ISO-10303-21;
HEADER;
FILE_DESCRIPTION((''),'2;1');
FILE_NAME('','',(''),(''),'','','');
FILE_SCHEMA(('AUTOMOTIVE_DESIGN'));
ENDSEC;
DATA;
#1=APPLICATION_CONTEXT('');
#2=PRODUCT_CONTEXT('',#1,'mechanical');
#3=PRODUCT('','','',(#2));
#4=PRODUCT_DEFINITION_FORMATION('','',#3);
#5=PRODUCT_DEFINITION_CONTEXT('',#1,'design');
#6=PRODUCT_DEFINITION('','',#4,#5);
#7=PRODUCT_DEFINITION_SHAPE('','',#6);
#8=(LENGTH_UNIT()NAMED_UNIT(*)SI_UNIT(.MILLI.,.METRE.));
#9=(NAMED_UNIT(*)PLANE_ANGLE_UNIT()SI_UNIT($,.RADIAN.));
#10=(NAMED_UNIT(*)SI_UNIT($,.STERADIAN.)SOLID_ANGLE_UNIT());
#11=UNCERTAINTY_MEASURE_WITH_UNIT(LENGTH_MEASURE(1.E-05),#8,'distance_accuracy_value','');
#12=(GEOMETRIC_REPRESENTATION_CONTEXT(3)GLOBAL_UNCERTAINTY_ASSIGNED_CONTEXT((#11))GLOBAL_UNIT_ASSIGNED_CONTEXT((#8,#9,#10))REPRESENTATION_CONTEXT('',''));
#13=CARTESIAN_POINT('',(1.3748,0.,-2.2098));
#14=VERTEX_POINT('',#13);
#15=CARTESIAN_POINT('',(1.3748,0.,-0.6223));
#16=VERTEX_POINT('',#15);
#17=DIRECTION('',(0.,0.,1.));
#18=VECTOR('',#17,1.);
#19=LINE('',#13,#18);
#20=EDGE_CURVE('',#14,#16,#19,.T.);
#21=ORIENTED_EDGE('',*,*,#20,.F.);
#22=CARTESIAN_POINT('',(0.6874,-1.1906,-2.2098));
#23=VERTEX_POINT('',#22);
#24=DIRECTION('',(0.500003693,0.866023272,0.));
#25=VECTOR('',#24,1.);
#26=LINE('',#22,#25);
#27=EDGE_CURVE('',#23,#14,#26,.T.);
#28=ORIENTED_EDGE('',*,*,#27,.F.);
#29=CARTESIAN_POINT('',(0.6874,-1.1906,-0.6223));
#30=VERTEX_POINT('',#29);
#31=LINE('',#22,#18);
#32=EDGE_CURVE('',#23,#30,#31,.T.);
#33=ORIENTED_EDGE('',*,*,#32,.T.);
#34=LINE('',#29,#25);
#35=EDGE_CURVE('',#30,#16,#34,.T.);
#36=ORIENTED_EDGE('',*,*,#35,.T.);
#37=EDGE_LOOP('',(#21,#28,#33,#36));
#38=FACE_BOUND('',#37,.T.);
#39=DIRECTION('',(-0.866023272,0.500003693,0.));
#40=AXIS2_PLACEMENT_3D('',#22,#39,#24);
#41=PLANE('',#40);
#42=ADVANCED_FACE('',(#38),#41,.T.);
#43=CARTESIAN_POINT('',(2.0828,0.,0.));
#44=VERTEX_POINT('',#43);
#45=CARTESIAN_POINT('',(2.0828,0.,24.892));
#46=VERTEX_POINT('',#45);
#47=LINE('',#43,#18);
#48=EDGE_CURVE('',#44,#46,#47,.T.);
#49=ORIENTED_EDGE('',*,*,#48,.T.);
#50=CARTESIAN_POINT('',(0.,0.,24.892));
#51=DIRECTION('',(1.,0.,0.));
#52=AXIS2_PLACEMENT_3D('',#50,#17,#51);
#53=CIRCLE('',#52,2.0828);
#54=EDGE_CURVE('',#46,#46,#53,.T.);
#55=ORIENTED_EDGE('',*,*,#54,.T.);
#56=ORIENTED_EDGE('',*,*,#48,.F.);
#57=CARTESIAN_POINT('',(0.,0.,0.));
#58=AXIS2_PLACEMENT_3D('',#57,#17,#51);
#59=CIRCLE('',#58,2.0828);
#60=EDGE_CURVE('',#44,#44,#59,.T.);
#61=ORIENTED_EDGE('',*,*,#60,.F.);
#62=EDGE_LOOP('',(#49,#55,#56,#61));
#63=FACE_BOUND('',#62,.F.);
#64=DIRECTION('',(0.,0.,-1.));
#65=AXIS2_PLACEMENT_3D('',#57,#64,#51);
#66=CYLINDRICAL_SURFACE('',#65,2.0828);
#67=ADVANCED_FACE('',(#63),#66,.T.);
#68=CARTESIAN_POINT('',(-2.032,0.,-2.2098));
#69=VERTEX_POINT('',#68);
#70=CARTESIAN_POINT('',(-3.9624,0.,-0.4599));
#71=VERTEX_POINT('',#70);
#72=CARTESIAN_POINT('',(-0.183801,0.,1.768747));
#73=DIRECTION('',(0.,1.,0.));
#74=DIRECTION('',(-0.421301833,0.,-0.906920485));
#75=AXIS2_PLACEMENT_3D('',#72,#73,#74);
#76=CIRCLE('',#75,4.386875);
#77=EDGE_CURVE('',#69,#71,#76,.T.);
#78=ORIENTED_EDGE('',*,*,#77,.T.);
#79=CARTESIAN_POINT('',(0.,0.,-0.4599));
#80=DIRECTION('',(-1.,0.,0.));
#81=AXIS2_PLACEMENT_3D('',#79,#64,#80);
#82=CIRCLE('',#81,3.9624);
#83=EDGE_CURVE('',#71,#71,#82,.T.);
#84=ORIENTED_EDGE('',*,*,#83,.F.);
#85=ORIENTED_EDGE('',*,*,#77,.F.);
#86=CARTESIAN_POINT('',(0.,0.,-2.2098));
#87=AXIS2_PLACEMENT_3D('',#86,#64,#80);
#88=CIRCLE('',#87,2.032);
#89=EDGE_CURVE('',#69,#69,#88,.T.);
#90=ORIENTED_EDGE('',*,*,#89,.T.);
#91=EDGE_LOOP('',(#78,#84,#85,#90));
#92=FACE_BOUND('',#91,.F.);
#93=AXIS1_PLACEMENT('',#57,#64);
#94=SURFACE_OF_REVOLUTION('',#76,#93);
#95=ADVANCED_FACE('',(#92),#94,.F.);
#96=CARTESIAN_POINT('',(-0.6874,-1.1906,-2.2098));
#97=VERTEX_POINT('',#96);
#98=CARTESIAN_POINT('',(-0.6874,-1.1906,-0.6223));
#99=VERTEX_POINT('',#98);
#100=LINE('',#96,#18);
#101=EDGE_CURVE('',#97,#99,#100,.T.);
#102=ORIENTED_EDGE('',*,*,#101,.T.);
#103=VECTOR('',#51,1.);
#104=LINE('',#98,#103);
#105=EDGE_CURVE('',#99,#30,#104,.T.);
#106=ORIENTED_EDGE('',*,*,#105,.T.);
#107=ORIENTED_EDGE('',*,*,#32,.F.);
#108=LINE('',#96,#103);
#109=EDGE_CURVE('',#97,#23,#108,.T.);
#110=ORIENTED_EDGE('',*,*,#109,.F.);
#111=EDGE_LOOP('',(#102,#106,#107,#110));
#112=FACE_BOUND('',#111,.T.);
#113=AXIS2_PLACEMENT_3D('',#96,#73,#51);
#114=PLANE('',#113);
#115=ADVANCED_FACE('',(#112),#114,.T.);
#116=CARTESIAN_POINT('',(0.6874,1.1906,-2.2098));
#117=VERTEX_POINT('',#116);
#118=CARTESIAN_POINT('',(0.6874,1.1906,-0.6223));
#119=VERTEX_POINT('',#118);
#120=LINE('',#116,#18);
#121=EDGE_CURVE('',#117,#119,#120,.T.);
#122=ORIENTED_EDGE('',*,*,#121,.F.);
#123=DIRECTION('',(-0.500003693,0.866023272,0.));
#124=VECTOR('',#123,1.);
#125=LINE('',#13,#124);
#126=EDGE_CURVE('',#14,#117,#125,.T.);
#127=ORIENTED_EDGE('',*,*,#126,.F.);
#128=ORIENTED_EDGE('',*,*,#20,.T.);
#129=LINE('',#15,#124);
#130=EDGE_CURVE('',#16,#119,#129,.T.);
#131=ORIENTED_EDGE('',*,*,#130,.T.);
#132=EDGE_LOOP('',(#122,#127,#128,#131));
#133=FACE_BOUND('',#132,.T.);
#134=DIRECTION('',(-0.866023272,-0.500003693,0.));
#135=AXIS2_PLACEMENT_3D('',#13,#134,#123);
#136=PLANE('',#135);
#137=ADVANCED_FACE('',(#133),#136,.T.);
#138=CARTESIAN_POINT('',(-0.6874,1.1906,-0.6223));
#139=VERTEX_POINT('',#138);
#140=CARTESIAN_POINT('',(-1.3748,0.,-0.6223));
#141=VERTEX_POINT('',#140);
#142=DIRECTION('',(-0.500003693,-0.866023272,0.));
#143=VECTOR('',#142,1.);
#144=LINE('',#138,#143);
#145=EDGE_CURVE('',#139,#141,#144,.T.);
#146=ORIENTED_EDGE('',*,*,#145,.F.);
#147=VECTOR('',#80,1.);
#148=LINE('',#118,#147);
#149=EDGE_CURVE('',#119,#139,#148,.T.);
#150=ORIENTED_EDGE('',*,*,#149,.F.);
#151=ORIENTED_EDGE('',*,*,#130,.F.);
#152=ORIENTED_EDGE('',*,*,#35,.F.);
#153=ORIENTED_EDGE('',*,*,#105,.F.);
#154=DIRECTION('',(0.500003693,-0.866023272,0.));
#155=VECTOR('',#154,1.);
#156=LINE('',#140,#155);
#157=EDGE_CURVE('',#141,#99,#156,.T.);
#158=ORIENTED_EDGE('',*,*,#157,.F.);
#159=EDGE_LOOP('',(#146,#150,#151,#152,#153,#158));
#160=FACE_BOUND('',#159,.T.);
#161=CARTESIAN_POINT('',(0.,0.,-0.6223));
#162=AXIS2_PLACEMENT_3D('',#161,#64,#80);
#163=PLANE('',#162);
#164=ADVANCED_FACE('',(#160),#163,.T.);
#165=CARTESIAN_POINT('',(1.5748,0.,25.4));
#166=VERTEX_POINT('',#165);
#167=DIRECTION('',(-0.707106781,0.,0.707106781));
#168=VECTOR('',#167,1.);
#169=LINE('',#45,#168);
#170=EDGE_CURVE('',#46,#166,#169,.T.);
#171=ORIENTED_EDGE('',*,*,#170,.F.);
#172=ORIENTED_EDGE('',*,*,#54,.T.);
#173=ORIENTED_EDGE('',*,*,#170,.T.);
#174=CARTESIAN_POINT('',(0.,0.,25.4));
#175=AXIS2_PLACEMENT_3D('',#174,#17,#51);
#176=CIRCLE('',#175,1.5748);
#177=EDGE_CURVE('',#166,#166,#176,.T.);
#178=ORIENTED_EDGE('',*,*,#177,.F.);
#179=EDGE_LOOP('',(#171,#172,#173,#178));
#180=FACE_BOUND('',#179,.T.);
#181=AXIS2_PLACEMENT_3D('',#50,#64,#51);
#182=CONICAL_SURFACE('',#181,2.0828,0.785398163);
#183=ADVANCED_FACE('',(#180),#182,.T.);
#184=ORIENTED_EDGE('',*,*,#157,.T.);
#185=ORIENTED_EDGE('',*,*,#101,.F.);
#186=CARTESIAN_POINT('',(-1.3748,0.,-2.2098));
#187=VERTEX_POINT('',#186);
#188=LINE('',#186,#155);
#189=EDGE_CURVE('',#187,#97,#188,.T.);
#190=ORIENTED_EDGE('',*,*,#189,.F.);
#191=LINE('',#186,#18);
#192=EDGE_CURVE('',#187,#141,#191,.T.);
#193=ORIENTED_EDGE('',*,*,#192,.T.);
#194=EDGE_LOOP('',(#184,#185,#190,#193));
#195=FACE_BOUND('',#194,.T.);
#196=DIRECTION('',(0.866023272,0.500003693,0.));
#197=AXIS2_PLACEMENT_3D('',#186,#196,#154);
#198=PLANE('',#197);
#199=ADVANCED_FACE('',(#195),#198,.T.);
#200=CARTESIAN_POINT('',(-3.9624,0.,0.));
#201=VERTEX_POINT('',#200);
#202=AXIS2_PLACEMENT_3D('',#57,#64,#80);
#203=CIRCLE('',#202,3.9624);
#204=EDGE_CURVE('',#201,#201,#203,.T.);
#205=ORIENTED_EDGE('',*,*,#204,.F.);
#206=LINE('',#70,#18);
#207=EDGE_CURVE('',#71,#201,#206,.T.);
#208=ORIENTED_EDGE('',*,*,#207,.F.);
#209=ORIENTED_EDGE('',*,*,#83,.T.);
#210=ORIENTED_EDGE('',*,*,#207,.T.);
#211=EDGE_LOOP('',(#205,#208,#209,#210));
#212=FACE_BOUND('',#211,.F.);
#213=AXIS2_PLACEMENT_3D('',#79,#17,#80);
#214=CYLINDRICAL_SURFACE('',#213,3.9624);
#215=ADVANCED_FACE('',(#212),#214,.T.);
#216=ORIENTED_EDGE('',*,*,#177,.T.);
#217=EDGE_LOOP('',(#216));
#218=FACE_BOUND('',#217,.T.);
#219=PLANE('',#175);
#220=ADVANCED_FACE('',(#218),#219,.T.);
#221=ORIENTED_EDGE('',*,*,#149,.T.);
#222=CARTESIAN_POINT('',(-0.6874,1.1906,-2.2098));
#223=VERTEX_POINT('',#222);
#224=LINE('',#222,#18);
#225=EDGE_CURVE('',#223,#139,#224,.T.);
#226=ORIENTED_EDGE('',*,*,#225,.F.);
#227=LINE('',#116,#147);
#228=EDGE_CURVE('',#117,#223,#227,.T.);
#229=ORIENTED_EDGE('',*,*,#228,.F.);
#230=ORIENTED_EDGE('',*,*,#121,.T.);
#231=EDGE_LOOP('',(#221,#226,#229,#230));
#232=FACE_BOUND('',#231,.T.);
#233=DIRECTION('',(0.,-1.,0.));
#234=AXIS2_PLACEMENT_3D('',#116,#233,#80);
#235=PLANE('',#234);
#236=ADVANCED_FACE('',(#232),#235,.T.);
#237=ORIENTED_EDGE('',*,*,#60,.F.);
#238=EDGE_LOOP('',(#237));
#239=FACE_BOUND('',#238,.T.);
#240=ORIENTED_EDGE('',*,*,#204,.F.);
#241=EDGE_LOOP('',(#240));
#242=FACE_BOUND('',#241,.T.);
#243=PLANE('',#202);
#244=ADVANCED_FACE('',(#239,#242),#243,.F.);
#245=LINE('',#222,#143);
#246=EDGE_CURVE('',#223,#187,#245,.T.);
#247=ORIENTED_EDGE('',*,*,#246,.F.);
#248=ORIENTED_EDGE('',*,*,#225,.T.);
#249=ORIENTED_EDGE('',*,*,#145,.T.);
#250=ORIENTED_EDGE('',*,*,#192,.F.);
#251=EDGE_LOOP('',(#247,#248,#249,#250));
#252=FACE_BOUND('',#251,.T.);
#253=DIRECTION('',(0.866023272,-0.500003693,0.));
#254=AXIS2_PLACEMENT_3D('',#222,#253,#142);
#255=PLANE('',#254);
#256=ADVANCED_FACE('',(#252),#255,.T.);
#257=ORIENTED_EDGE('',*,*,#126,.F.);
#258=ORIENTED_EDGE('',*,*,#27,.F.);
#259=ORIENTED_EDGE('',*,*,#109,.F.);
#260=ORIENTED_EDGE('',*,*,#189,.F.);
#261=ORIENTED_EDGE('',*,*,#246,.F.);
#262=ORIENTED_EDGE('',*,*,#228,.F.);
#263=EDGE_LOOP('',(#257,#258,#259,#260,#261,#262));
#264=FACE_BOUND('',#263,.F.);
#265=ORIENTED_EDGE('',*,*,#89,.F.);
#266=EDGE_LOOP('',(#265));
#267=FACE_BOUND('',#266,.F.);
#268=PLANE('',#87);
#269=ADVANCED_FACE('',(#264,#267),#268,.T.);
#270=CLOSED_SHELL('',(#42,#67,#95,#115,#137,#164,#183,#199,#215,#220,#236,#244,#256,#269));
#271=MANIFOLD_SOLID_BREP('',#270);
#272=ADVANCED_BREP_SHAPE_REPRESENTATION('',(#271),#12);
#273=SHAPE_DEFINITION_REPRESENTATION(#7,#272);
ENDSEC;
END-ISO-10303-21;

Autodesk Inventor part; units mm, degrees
ref_plane "YZ Plane" through (0, 0, 0) normal (1, 0, 0) x (0, 1, 0)
ref_plane "XZ Plane" through (0, 0, 0) normal (0, 1, 0) x (-1, 0, 0)
ref_plane "XY Plane" through (0, 0, 0) normal (0, 0, 1) x (1, 0, 0)
sketch "Sketch1" plane through (0, 0, 0) normal (0, 0, 1) x (1, 0, 0)
  circle A0 centre (0, 0) radius 2.0828
  dimension "d0" = 4.1656
extrude "Extrusion1" add sketch "Sketch1" along normal blind 25.4
sketch "Sketch2" plane through (0, 0, 0) normal (0, 1, 0) x (-1, 0, 0)
  line L0 (0, 0) -> (0, -2.2098)
  line L1 (0, 0) -> (3.9624, 0)
  line L2 (0, -2.2098) -> (2.032, -2.2098)
  line L3 (3.9624, 0) -> (3.9624, 3.6562) construction
  arc A0 (2.032, -2.2098) -> (3.9624, -0.4599) centre (0.1837, 1.7689) ccw
  line L4 (4.5847, 0.6553) -> (4.5847, -0.2608) construction
  line L5 (3.9624, -0.4599) -> (3.9624, 0)
  dimension "d3" = 2.2098
  dimension "d6" = 2.032
  dimension "d19" = 3.9624
revolve "Revolution1" add sketch "Sketch2" angle 360 about axis through (0, 0, 0) along (0, 0, -1)
sketch "Sketch3" plane through (0, 0, -2.2098) normal (0, 0, -1) x (-1, 0, 0)
  circle A0 centre (0, 0) radius 2.032 projected
  line L0 (-0.6874, 1.1906) -> (0.6874, 1.1906)
  line L1 (0.6874, 1.1906) -> (1.3748, 0)
  line L2 (1.3748, 0) -> (0.6874, -1.1906)
  line L3 (0.6874, -1.1906) -> (-0.6874, -1.1906)
  line L4 (-0.6874, -1.1906) -> (-1.3748, 0)
  line L5 (-1.3748, 0) -> (-0.6874, 1.1906)
  dimension "d8" = 2.3813
extrude "Extrusion2" cut sketch "Sketch3" against normal blind 1.5875 contours L0 L1 L2 L3 L4 L5
chamfer "Chamfer1" distance 0.508 angle 45 1 edges at (-2.0828, 0, 25.4)
thread "Thread1" size "8-32 UNC" class "2A" standard "ANSI Unified Screw Threads" full length
properties part number "10-32 x500 button head" material "Steel"
